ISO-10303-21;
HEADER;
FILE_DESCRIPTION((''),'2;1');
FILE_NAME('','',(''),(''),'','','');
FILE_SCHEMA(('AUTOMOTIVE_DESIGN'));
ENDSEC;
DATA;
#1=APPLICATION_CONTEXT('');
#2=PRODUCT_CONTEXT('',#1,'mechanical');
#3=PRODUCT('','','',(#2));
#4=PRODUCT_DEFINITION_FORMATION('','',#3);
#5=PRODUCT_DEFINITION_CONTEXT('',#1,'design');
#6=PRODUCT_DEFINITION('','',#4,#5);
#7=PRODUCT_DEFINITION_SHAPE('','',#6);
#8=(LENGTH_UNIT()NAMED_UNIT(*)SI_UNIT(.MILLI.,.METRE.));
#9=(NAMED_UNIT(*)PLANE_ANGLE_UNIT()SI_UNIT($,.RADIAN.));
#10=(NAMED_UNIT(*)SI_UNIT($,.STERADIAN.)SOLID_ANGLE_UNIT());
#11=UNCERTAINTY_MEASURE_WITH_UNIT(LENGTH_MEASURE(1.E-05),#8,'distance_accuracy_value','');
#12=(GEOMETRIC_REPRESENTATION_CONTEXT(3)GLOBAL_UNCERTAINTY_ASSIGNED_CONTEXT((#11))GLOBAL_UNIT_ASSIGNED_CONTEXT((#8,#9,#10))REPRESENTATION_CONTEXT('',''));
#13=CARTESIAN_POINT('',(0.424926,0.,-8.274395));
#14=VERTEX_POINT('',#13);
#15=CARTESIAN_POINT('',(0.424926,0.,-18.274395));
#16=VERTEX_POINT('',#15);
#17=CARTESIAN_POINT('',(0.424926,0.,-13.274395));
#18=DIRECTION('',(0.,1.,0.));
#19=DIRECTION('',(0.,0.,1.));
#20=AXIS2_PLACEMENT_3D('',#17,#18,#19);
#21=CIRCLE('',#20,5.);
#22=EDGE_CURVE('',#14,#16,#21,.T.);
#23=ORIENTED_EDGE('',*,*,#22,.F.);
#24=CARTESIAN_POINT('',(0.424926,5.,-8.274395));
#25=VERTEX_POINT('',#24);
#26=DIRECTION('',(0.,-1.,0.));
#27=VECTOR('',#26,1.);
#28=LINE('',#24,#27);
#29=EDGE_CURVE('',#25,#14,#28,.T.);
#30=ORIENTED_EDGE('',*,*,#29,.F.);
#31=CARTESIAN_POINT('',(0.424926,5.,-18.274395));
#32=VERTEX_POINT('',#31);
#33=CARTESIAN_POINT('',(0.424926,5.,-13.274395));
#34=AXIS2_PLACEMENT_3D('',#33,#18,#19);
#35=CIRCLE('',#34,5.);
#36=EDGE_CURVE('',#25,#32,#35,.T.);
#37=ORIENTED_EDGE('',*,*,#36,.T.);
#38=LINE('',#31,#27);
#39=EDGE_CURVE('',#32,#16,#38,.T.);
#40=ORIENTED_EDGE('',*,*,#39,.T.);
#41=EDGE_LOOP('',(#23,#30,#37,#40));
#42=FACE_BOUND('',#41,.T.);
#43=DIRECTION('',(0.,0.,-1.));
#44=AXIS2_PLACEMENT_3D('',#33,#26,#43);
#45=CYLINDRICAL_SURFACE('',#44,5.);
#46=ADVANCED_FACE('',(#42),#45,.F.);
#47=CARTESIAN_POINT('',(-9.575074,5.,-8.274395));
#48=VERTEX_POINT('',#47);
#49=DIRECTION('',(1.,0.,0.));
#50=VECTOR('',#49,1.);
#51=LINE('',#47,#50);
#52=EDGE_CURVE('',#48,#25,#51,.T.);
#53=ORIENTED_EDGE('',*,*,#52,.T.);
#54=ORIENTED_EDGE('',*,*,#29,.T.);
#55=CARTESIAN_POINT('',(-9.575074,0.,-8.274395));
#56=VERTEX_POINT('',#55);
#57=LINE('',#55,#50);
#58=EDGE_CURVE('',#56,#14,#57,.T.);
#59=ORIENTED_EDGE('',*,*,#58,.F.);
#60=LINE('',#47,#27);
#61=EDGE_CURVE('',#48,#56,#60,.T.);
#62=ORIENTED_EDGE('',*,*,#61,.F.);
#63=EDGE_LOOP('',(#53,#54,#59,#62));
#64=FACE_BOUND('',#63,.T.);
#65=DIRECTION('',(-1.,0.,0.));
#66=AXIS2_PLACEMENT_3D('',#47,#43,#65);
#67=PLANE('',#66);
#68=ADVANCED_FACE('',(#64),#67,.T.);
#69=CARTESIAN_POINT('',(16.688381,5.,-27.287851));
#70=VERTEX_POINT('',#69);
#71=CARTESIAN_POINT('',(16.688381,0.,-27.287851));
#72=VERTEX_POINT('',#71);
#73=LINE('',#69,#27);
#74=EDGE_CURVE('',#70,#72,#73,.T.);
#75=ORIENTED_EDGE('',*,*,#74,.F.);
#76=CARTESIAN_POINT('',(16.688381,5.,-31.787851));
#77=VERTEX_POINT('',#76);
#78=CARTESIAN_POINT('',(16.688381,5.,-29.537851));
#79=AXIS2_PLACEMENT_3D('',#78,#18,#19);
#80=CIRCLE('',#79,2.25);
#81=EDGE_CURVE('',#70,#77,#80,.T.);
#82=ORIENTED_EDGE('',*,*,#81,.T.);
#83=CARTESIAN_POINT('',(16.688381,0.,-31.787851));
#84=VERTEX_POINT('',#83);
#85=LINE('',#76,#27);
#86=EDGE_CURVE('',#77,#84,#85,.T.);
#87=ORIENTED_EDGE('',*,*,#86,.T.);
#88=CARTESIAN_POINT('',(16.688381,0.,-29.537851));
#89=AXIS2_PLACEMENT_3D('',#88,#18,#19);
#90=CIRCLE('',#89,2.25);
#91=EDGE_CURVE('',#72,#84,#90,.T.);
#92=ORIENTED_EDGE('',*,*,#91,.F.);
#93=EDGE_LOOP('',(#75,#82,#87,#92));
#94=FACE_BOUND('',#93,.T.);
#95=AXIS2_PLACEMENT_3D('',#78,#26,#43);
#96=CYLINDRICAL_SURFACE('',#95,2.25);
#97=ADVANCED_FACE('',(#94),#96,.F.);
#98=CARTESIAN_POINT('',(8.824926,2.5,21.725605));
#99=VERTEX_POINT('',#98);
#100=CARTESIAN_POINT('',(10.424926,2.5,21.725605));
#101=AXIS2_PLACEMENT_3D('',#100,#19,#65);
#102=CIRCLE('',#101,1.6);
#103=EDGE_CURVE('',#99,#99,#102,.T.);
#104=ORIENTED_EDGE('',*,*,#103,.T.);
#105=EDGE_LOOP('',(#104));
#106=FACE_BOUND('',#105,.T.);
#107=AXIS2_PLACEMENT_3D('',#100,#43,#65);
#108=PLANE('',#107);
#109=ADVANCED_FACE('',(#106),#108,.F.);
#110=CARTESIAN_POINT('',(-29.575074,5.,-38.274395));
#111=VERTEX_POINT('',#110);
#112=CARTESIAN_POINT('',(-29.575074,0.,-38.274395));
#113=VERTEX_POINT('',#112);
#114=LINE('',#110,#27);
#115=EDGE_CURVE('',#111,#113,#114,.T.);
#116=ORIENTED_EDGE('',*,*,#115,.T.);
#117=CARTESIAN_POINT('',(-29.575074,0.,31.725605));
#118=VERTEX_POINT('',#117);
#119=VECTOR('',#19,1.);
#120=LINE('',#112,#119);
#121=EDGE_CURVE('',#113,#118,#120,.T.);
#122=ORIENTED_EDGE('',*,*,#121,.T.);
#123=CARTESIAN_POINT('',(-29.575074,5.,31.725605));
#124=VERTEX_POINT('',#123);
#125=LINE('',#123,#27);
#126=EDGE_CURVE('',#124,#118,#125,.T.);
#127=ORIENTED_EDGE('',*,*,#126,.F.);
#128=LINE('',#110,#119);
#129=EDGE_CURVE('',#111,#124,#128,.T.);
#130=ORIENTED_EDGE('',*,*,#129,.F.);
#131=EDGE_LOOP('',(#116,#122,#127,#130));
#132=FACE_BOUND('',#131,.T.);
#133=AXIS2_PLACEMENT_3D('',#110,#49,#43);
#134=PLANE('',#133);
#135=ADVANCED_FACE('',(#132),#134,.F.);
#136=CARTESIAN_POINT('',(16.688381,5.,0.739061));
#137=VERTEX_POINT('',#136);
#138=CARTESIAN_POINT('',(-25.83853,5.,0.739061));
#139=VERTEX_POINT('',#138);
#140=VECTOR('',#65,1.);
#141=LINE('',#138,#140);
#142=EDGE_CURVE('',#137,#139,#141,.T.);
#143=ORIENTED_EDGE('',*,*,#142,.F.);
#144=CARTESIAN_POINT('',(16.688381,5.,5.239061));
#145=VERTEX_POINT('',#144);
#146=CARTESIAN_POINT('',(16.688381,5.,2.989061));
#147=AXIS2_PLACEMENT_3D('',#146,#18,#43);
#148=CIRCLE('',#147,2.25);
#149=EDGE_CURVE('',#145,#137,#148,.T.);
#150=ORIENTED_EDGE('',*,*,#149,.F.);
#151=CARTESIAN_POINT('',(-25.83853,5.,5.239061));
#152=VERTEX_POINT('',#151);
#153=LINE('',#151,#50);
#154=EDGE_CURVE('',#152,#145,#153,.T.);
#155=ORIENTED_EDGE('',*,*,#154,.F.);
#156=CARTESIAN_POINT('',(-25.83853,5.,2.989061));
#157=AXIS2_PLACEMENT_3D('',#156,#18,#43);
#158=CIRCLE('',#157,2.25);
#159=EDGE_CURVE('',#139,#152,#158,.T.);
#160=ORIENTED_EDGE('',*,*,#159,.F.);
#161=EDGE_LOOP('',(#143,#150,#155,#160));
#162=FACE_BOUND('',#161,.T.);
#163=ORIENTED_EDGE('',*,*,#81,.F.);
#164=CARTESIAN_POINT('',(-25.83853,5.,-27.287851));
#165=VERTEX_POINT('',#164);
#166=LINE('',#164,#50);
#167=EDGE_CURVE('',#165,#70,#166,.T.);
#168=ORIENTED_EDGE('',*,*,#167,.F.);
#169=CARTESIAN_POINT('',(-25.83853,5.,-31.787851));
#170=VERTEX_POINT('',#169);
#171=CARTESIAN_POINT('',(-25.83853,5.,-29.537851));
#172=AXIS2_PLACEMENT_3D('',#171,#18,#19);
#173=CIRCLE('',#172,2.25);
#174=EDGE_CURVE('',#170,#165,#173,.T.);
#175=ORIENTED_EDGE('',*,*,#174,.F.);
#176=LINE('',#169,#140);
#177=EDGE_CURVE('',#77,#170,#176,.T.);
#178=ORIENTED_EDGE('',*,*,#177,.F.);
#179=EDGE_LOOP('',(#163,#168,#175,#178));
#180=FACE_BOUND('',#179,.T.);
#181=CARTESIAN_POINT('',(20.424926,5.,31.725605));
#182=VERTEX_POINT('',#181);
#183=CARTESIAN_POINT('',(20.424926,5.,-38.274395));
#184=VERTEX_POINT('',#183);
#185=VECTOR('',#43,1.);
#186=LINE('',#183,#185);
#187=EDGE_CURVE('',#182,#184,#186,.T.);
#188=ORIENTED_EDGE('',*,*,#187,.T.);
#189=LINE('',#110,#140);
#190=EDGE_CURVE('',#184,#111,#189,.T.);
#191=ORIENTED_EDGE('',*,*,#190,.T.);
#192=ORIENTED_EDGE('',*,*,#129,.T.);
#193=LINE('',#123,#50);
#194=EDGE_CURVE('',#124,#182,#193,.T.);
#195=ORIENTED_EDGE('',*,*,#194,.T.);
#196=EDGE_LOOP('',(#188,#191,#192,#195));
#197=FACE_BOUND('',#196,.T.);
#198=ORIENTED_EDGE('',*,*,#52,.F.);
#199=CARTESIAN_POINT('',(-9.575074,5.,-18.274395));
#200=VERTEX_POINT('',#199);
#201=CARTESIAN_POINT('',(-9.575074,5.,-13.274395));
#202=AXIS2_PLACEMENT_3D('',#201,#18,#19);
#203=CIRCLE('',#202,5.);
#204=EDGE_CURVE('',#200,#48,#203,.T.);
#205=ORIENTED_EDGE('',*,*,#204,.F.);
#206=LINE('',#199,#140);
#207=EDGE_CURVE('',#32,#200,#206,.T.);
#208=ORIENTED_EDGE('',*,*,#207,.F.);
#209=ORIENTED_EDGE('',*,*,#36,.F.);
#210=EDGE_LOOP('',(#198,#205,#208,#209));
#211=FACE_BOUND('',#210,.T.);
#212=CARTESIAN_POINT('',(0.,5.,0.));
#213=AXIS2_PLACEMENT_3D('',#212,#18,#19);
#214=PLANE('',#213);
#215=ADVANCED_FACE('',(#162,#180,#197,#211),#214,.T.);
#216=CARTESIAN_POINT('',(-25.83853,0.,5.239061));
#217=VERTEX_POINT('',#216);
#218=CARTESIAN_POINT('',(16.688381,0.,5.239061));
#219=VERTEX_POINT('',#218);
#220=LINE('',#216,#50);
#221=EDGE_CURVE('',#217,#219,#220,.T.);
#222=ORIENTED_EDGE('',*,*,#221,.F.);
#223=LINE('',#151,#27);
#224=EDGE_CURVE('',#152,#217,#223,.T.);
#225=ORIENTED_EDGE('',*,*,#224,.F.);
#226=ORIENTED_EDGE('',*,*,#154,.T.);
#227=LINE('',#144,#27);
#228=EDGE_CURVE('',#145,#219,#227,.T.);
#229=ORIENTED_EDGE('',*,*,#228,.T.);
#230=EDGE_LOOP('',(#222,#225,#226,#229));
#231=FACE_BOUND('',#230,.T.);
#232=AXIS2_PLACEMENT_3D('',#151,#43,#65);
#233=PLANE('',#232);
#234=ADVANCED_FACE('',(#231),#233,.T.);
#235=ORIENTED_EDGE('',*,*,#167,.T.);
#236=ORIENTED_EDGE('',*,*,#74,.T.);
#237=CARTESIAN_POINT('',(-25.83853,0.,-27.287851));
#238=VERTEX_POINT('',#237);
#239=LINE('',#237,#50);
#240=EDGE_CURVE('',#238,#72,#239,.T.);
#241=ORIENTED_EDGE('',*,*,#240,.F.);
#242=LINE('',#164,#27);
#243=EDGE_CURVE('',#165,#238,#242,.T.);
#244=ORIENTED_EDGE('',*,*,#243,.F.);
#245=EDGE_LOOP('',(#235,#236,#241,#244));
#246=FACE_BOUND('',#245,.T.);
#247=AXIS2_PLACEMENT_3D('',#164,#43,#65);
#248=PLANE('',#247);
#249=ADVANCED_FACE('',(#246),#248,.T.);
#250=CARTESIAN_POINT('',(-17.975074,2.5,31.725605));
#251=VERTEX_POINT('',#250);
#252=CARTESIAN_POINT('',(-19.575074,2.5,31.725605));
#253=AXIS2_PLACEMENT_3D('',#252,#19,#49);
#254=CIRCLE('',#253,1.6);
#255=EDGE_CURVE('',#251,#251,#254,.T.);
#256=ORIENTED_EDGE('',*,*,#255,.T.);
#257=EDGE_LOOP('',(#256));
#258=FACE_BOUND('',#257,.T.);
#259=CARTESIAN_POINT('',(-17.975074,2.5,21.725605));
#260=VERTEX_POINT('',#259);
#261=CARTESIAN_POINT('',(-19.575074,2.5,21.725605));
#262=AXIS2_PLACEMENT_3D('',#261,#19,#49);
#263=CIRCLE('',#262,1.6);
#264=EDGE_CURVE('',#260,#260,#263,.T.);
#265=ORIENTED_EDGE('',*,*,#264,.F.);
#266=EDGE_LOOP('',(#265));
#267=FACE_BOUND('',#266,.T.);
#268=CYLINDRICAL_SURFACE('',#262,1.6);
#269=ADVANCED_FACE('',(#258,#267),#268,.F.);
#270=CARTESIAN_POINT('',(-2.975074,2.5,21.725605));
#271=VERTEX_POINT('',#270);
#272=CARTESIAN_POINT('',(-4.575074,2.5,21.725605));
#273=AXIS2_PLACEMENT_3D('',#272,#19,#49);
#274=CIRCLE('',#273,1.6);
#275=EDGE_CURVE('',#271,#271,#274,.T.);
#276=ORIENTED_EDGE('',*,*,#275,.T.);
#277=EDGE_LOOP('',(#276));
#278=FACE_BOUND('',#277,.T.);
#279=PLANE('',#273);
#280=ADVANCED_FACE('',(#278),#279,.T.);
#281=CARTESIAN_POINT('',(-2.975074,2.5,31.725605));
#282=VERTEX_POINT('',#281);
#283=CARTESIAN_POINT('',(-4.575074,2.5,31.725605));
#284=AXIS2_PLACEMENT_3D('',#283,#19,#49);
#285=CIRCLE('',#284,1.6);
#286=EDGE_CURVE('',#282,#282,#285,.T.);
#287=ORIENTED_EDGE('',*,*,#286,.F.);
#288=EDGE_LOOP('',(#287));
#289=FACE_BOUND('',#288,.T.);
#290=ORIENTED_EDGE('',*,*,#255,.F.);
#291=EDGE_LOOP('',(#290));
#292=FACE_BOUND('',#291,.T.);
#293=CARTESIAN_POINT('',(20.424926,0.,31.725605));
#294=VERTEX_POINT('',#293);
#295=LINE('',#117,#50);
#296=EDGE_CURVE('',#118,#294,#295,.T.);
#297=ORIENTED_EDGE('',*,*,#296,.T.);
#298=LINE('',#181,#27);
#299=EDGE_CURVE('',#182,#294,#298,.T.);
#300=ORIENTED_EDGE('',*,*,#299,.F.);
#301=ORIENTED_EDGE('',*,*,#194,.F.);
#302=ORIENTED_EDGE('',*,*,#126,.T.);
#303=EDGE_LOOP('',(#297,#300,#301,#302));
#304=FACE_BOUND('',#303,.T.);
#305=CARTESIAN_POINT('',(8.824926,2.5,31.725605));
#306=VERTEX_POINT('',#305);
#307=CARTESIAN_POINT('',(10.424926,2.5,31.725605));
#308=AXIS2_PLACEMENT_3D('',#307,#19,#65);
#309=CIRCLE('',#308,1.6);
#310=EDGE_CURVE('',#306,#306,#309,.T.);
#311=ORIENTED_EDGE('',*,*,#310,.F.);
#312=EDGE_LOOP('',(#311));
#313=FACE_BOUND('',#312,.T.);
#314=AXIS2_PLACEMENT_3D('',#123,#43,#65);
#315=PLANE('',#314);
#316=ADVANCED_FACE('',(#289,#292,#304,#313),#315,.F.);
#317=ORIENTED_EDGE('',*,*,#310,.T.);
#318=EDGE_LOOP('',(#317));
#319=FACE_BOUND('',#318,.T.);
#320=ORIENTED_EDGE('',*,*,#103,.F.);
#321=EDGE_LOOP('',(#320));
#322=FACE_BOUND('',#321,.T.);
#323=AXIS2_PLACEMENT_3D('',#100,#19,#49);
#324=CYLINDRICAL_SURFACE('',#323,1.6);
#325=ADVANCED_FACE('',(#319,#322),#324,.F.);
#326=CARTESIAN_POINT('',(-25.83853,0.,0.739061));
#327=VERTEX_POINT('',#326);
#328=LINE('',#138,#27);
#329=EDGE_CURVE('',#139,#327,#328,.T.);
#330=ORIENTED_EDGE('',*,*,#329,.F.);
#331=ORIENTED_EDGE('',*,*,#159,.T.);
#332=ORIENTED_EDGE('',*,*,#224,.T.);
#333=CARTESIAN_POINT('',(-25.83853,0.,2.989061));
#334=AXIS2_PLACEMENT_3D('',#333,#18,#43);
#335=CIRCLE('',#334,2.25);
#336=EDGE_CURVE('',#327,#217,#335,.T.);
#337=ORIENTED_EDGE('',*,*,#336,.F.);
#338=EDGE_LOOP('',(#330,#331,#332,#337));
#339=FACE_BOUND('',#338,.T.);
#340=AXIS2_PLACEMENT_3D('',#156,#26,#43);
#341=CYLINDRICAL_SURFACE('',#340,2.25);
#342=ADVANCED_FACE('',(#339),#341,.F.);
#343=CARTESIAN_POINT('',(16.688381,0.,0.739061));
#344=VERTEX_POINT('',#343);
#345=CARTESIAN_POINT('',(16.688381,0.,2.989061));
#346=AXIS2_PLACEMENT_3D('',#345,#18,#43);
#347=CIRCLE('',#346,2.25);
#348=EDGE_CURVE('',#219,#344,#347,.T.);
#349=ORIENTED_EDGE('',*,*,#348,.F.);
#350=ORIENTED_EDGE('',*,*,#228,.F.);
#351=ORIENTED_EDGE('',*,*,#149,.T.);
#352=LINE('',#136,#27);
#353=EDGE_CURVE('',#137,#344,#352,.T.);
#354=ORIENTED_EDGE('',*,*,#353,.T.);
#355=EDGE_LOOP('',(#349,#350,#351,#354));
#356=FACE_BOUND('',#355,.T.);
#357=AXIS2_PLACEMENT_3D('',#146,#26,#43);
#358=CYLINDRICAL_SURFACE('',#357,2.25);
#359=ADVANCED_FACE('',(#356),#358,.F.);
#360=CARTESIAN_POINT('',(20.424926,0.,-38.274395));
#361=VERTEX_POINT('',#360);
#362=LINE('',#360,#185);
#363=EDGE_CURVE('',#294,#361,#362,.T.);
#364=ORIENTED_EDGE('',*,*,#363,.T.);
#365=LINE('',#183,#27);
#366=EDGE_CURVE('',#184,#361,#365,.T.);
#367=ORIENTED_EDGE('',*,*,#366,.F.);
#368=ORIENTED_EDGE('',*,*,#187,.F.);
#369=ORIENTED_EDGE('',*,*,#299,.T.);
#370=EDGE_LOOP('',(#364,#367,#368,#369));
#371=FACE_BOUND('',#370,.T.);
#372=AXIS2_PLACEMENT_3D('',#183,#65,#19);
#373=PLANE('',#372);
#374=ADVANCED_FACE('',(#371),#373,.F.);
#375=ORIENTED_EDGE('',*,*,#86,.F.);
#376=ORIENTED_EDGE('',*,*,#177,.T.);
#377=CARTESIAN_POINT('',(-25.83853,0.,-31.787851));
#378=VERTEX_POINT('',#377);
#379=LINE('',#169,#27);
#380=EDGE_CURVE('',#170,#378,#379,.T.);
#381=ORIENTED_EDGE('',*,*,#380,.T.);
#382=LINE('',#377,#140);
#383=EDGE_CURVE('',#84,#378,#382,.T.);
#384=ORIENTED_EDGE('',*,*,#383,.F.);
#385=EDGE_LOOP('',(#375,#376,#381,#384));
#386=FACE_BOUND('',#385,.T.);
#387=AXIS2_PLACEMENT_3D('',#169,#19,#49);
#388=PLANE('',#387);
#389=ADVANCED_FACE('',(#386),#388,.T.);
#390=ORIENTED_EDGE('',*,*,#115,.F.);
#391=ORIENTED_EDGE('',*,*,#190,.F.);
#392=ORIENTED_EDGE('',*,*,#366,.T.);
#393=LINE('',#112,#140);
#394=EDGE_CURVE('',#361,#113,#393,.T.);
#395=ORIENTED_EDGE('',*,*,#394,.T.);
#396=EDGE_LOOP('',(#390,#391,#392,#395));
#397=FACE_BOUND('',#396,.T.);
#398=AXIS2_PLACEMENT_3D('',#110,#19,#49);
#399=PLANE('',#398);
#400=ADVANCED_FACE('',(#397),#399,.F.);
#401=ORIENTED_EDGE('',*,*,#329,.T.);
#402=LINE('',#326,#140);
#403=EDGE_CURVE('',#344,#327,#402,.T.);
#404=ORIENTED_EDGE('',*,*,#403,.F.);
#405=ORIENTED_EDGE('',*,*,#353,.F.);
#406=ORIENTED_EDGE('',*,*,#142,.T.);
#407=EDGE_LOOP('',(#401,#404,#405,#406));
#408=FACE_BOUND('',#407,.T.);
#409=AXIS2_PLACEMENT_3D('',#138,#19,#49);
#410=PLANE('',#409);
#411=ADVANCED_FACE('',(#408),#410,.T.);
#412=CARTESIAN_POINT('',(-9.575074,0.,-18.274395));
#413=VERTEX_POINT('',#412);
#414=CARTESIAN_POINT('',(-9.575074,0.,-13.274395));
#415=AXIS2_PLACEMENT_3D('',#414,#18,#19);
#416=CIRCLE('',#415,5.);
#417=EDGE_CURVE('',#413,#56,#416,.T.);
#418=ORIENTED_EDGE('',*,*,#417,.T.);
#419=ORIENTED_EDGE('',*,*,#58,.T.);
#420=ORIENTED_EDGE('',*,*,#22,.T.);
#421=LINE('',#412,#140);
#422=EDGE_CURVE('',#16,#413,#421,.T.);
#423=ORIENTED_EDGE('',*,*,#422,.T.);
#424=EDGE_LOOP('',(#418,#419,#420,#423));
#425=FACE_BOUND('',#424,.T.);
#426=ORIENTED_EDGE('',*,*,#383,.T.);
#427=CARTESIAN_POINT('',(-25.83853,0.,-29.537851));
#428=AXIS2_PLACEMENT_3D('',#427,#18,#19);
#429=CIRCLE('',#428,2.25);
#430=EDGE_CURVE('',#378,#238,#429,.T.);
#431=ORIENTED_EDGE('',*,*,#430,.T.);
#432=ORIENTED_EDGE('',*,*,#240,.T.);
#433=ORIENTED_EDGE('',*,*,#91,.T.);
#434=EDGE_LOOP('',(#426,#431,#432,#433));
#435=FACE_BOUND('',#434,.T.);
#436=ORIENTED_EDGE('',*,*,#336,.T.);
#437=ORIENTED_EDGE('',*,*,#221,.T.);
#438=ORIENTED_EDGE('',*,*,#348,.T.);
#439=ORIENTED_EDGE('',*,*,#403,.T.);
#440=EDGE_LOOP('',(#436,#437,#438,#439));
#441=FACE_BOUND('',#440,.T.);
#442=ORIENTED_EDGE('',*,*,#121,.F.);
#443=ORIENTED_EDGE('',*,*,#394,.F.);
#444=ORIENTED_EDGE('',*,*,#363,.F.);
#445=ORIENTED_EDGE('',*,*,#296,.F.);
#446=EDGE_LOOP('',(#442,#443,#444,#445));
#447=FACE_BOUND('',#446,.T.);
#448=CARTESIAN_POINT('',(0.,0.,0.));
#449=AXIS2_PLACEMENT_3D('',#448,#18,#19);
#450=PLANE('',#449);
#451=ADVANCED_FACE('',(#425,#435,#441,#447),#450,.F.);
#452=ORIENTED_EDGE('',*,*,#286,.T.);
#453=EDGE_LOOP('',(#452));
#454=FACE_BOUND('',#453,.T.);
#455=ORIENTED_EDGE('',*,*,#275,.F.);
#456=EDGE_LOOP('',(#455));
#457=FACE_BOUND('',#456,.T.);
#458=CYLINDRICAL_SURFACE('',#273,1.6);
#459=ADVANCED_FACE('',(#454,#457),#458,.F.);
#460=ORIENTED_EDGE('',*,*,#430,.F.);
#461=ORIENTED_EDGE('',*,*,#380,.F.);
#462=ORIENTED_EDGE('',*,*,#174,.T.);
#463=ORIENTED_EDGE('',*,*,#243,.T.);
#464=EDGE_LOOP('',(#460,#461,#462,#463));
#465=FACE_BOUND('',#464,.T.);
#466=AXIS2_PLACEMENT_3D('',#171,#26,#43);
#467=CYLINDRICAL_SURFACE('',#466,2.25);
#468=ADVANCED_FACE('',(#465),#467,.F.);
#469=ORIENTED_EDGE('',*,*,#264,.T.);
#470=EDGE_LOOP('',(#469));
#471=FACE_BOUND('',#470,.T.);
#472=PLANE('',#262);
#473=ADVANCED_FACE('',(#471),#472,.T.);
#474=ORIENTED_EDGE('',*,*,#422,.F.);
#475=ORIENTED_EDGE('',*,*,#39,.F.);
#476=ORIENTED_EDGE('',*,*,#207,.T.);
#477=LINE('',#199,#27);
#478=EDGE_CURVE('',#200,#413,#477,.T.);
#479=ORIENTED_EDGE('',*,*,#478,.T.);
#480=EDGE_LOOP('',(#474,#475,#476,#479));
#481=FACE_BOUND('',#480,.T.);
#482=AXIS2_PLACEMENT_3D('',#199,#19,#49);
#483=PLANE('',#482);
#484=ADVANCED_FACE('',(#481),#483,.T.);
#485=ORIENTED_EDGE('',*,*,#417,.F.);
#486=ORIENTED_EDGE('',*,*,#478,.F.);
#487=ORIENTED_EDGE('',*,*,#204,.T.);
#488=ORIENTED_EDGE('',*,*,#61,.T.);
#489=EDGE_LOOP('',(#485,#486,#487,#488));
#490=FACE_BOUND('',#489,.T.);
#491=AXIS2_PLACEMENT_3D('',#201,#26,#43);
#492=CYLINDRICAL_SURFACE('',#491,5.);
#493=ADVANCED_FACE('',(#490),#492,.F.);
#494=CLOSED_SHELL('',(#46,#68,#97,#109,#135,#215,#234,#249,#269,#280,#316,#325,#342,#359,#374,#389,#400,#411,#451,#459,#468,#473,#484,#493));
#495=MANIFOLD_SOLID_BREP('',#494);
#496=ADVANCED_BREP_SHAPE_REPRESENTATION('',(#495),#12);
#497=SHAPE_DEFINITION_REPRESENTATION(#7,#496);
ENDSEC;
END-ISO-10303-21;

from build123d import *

# Parameters (mm, degrees)
SKETCH1_W           = 50
SKETCH1_H           = 70
BOSS_EXTRUDE1_DEPTH = 5
SKETCH2_R           = 1.6
CUT_EXTRUDE1_DEPTH  = 10


with BuildPart() as part:
    # Sketch1 → Boss-Extrude1 (new body)
    with BuildSketch(Plane(origin=(0, 0, 0), x_dir=(1, 0, 0), z_dir=(0, 1, 0))):
        with Locations((-4.575074469, 3.274395374)):
            Rectangle(SKETCH1_W, SKETCH1_H)
        with BuildLine():
            Line((-25.838530436, 31.787851342), (16.688381499, 31.787851342))
            ThreePointArc((16.688381499, 31.787851342), (18.938381499, 29.537851342), (16.688381499, 27.287851342))
            Line((16.688381499, 27.287851342), (-25.838530436, 27.287851342))
            ThreePointArc((-25.838530436, 27.287851342), (-28.088530436, 29.537851342), (-25.838530436, 31.787851342))
        make_face(mode=Mode.SUBTRACT)
        with BuildLine():
            Line((-9.575074469, 18.274395374), (0.424925531, 18.274395374))
            ThreePointArc((0.424925531, 18.274395374), (5.424925531, 13.274395374), (0.424925531, 8.274395374))
            Line((0.424925531, 8.274395374), (-9.575074469, 8.274395374))
            ThreePointArc((-9.575074469, 8.274395374), (-14.575074469, 13.274395374), (-9.575074469, 18.274395374))
        make_face(mode=Mode.SUBTRACT)
        with BuildLine():
            Line((-25.838530436, -5.239060593), (16.688381499, -5.239060593))
            ThreePointArc((16.688381499, -5.239060593), (18.938381499, -2.989060593), (16.688381499, -0.739060593))
            Line((16.688381499, -0.739060593), (-25.838530436, -0.739060593))
            ThreePointArc((-25.838530436, -0.739060593), (-28.088530436, -2.989060593), (-25.838530436, -5.239060593))
        make_face(mode=Mode.SUBTRACT)
    extrude(amount=BOSS_EXTRUDE1_DEPTH)

    # Sketch2 → Cut-Extrude1 (cut)
    with BuildSketch(Plane.XY.offset(31.725604626)):
        with Locations((-4.575074469, 2.5)):
            Circle(SKETCH2_R)
        with Locations((-19.575074469, 2.5)):
            Circle(SKETCH2_R)
        with Locations((10.424925531, 2.5)):
            Circle(SKETCH2_R)
    extrude(amount=-CUT_EXTRUDE1_DEPTH, mode=Mode.SUBTRACT)


solid = part.part
